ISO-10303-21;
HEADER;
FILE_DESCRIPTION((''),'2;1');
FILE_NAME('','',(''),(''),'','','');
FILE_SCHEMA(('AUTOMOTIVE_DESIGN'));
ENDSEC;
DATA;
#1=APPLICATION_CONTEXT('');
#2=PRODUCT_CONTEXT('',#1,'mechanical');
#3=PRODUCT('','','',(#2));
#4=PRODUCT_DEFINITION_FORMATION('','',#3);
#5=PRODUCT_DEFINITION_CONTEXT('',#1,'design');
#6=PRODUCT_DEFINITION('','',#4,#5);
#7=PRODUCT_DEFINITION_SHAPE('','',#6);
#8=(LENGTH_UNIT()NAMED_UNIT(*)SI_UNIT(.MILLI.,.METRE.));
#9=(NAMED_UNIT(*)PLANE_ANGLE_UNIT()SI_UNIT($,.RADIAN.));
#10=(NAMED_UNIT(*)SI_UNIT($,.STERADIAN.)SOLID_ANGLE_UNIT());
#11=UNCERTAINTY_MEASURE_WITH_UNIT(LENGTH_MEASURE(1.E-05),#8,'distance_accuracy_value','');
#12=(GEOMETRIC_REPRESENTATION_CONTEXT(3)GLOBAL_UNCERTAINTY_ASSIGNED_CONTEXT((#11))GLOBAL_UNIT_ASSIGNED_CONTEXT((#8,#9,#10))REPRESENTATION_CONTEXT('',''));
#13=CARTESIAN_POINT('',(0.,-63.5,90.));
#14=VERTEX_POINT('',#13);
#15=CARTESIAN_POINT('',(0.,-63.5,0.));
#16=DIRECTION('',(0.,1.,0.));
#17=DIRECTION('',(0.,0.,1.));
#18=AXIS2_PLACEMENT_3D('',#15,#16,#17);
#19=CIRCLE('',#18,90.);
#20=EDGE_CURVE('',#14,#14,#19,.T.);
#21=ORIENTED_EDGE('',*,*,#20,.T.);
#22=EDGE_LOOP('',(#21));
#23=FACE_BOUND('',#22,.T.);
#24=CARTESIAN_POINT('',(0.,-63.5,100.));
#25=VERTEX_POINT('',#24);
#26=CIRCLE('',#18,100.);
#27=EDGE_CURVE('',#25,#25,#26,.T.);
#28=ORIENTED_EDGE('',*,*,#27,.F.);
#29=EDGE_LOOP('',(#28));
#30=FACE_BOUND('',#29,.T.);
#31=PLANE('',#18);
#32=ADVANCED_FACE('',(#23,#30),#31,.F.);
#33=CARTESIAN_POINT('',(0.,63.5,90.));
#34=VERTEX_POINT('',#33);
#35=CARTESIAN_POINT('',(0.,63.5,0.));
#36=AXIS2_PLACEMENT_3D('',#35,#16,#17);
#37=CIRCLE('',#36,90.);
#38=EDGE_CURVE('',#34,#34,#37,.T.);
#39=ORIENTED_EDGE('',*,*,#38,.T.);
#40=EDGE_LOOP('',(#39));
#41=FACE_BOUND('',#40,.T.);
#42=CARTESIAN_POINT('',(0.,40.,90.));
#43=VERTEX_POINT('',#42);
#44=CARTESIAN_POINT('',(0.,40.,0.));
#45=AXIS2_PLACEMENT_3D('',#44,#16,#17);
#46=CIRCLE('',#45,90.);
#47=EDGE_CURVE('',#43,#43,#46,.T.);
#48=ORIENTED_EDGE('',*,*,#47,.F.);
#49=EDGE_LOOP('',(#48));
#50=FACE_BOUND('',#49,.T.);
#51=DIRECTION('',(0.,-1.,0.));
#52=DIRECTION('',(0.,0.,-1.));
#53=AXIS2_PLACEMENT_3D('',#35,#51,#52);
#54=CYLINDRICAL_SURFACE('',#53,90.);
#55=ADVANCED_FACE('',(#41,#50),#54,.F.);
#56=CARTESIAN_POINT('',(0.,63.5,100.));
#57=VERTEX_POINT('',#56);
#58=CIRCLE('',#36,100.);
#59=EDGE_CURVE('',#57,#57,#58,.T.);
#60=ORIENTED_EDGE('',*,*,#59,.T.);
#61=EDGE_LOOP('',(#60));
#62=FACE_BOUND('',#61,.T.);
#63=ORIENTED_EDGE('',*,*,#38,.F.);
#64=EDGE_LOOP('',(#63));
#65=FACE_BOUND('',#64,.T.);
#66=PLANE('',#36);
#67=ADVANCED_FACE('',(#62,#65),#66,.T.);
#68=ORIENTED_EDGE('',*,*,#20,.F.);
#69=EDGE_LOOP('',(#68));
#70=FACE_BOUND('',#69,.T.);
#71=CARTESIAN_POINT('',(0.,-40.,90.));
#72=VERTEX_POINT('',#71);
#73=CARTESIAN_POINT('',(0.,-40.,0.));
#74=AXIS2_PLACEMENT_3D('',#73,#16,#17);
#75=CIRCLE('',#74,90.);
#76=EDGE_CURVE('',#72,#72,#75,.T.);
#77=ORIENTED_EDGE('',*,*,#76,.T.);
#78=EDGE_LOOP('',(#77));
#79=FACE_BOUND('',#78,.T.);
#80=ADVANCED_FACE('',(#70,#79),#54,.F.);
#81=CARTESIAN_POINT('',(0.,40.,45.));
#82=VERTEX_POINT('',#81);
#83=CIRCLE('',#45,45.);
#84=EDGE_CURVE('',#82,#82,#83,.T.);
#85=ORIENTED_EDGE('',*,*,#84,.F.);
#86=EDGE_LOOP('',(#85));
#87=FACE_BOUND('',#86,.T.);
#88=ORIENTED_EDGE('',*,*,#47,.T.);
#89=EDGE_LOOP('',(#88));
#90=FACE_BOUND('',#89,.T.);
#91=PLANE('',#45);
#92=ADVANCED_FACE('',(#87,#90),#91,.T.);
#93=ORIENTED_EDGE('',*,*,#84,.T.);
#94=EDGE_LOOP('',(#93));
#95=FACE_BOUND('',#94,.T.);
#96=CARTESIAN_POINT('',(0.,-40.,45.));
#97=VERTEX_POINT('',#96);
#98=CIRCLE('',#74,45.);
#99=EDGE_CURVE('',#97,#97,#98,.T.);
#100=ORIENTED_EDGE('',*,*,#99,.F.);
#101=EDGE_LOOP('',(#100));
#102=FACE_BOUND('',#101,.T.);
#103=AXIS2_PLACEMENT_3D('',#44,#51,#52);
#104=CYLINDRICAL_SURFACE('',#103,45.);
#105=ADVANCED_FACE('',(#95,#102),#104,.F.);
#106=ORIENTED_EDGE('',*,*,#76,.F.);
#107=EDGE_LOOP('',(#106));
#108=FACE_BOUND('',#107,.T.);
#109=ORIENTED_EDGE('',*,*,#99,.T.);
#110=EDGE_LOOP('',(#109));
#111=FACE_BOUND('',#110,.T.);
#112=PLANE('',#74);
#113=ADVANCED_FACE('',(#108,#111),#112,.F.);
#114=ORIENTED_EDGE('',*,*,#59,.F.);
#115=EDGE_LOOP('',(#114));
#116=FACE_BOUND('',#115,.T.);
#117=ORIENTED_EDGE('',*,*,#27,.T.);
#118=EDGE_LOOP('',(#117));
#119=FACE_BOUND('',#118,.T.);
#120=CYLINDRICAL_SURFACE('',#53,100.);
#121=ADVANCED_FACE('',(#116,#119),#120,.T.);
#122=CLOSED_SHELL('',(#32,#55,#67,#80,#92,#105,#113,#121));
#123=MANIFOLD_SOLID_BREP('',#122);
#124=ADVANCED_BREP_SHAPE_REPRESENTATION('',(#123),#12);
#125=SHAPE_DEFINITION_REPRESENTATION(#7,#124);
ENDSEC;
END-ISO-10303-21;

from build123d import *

# Parameters (mm, degrees)
SKETCH1_R           = 100
SKETCH1_R_2         = 90
BOSS_EXTRUDE1_DEPTH = 63.5
SKETCH4_R           = 90
SKETCH4_R_2         = 45
BOSS_EXTRUDE2_DEPTH = 40


with BuildPart() as part:
    # Sketch1 → Boss-Extrude1 (new, symmetric)
    with BuildSketch(Plane(origin=(0, 0, 0), x_dir=(1, 0, 0), z_dir=(0, 1, 0))):
        with Locations(Location((0, 0, 0), (0, 0, 270))):
            Circle(SKETCH1_R)
        with Locations(Location((0, 0, 0), (0, 0, 270))):
            Circle(SKETCH1_R_2, mode=Mode.SUBTRACT)
    extrude(amount=BOSS_EXTRUDE1_DEPTH, both=True)

    # Sketch4 → Boss-Extrude2 (add, symmetric)
    with BuildSketch(Plane(origin=(0, 0, 0), x_dir=(1, 0, 0), z_dir=(0, 1, 0))):
        with Locations(Location((0, 0, 0), (0, 0, 270))):
            Circle(SKETCH4_R)
        with Locations(Location((0, 0, 0), (0, 0, 270))):
            Circle(SKETCH4_R_2, mode=Mode.SUBTRACT)
    extrude(amount=BOSS_EXTRUDE2_DEPTH, both=True)


solid = part.part
